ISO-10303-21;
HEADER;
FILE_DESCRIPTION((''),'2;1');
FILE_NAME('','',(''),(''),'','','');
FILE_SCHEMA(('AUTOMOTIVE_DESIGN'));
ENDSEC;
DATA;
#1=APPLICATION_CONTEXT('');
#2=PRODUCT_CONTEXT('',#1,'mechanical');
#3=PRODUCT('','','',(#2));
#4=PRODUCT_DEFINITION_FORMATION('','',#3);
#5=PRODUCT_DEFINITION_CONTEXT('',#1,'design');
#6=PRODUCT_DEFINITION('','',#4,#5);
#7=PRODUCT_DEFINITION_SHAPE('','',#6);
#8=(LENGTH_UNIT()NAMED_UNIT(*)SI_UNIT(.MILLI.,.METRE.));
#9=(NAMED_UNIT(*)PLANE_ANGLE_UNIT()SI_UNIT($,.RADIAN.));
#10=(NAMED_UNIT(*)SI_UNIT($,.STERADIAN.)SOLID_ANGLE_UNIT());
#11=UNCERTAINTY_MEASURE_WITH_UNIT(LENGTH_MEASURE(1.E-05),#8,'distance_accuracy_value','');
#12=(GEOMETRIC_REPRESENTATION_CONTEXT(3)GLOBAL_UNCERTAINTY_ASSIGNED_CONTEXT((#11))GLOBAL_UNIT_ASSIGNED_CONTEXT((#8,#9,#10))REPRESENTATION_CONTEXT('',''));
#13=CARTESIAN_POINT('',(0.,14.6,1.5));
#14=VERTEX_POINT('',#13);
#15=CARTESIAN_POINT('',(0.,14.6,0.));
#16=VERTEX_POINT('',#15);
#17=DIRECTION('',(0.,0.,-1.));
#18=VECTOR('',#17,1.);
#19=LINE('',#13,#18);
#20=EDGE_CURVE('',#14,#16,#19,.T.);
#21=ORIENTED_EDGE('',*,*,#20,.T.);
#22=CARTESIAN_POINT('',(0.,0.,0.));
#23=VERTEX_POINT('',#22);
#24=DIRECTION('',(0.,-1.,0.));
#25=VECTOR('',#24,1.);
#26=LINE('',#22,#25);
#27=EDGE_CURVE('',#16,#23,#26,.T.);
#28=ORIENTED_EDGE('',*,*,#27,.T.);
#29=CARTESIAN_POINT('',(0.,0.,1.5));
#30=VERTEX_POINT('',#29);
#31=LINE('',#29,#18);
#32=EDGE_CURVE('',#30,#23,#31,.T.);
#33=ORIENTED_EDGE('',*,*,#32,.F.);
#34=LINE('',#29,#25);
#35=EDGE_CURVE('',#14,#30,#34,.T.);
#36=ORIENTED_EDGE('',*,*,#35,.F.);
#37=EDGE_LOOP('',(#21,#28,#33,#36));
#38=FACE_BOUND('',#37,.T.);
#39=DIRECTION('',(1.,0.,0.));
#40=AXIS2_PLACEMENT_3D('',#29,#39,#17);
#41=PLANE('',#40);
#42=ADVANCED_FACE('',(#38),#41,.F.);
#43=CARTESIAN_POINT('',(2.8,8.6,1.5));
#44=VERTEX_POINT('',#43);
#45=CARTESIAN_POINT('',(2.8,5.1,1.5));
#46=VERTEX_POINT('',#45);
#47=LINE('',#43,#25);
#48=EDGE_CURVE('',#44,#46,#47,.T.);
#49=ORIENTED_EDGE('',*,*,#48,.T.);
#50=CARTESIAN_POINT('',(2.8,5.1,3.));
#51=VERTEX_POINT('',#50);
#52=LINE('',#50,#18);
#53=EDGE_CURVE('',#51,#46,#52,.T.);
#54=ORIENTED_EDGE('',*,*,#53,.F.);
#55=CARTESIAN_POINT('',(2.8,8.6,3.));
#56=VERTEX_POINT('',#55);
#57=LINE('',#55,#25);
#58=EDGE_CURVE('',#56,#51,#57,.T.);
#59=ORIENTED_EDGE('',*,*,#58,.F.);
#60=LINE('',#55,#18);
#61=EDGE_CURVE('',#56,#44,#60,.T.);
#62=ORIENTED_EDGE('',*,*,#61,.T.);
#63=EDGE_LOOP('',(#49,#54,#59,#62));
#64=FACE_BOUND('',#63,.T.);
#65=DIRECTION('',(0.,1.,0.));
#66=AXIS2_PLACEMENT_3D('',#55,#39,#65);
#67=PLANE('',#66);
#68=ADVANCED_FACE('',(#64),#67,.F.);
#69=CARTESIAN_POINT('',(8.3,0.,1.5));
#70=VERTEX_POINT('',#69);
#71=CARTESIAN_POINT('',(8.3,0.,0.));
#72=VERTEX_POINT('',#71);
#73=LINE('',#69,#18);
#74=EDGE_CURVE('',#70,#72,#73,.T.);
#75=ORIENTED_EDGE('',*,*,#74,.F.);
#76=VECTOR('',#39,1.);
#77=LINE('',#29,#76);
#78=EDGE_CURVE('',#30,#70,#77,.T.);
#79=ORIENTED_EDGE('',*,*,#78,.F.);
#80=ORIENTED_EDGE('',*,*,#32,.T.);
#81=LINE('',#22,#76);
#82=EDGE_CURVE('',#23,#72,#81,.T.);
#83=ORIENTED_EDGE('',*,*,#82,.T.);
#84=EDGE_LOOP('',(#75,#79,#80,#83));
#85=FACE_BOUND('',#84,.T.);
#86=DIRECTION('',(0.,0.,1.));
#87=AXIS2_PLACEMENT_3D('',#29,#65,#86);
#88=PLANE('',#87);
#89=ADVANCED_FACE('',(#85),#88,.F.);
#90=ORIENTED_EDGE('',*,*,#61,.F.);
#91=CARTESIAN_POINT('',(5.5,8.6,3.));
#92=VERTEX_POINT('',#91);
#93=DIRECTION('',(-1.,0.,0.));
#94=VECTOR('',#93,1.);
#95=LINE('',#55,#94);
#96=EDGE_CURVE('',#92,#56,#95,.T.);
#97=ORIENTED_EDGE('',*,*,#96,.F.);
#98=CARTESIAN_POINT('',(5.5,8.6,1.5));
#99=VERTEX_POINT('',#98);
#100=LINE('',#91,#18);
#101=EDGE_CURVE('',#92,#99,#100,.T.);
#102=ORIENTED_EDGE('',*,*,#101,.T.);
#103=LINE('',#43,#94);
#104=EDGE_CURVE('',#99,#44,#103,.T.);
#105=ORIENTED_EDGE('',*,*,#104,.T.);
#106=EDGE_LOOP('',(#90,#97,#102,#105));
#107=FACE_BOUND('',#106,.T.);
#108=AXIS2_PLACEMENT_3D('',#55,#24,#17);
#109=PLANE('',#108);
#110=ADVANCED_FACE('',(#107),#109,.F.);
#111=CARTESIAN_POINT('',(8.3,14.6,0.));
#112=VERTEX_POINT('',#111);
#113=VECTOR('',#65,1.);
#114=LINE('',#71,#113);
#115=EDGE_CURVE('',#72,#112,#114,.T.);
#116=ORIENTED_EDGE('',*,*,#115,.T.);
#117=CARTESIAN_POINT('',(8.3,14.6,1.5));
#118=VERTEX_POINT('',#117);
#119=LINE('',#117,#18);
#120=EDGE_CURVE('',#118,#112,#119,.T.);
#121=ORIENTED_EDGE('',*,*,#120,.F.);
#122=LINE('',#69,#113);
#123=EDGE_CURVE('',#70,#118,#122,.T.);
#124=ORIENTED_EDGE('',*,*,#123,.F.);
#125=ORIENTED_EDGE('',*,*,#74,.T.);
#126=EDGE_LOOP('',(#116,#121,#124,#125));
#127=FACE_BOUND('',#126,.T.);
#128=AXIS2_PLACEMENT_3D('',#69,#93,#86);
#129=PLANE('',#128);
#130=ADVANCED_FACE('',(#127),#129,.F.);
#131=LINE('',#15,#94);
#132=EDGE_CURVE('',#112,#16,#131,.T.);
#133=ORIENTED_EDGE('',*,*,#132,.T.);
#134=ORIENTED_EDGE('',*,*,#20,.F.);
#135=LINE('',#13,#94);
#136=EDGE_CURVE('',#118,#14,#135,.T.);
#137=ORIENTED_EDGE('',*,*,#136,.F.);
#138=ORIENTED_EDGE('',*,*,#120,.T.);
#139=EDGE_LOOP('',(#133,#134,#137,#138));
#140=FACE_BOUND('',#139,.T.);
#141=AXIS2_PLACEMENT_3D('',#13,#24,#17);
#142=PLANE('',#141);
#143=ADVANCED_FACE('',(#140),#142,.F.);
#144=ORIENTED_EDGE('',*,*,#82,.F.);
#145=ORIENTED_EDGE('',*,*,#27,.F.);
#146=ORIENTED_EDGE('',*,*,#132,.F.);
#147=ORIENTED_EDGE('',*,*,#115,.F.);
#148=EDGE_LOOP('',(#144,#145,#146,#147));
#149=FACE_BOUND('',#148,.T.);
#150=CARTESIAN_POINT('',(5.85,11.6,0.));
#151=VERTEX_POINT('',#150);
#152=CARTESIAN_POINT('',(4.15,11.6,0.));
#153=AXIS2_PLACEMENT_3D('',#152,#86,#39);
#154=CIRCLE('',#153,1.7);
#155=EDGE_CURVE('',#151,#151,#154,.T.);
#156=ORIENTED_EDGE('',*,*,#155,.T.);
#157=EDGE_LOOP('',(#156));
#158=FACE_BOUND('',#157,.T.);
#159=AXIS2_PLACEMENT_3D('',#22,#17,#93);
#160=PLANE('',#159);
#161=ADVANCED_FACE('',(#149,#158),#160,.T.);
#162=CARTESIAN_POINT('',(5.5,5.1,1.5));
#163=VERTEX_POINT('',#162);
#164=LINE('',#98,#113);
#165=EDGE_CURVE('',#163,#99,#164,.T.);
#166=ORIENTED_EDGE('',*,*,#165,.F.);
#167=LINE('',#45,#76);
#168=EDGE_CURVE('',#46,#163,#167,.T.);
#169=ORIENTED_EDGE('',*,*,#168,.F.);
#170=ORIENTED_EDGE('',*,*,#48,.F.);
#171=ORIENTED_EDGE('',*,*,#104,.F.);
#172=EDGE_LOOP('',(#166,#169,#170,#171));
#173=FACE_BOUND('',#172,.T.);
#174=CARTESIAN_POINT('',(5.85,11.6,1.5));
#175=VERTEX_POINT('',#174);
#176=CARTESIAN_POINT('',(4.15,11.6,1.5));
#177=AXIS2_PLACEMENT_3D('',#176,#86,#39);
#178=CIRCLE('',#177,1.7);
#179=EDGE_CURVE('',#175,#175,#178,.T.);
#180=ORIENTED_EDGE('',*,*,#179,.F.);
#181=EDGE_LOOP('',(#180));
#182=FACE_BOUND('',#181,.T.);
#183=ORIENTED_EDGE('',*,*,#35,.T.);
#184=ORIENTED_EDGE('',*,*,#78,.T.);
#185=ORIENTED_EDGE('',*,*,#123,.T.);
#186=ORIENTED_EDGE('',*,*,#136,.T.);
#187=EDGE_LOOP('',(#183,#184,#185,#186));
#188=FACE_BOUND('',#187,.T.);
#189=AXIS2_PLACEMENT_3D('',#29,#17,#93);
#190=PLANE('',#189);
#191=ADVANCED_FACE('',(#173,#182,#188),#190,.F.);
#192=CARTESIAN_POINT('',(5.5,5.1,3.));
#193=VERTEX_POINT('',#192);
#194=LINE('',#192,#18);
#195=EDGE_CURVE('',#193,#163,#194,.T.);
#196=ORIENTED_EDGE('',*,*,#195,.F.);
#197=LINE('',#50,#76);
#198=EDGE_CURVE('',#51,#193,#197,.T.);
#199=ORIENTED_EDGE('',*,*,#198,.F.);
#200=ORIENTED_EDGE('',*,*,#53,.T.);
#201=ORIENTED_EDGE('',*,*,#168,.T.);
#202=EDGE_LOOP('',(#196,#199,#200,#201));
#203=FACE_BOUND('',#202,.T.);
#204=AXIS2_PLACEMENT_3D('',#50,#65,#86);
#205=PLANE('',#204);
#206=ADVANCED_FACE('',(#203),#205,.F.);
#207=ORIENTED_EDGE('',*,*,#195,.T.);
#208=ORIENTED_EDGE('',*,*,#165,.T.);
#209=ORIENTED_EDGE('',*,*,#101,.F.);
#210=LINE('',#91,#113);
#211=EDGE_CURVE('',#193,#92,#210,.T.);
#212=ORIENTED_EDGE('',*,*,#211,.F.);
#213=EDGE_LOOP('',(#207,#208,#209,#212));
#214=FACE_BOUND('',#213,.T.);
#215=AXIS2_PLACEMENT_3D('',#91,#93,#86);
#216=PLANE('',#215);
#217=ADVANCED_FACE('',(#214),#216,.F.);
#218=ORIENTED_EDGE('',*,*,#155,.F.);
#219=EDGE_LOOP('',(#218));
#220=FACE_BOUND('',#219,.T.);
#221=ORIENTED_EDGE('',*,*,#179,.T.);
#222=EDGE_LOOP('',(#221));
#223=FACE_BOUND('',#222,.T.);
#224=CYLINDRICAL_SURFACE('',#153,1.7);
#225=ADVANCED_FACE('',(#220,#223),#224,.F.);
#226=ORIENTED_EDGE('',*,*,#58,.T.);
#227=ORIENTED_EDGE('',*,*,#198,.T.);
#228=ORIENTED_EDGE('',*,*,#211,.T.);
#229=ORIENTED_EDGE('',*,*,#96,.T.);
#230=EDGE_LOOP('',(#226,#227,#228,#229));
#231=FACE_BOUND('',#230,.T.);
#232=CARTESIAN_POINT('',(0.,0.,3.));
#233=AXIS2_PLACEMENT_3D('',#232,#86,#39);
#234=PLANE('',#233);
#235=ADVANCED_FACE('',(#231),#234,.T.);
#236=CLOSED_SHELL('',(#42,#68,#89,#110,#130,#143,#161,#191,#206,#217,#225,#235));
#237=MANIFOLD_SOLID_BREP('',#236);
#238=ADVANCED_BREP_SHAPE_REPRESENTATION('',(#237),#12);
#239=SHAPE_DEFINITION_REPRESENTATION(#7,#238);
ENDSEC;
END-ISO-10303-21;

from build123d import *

# Parameters (mm, degrees)
SKETCH1_W           = 8.3
SKETCH1_H           = 14.6
BOSS_EXTRUDE1_DEPTH = 1.5
SKETCH2_R           = 1.7
CUT_EXTRUDE1_DEPTH  = 1.5
SKETCH3_W           = 2.7
SKETCH3_H           = 3.5
BOSS_EXTRUDE3_DEPTH = 1.5


with BuildPart() as part:
    # Sketch1 → Boss-Extrude1 (new body)
    with BuildSketch(Plane.XY):
        with Locations((4.15, 7.3)):
            Rectangle(SKETCH1_W, SKETCH1_H)
    extrude(amount=BOSS_EXTRUDE1_DEPTH)

    # Sketch2 → Cut-Extrude1 (cut)
    with BuildSketch(Plane.XY.offset(1.5)):
        with Locations((4.15, 11.6)):
            Circle(SKETCH2_R)
    extrude(amount=-CUT_EXTRUDE1_DEPTH, mode=Mode.SUBTRACT)

    # Sketch3 → Boss-Extrude3 (add)
    with BuildSketch(Plane.XY.offset(1.5)):
        with Locations((4.15, 6.85)):
            Rectangle(SKETCH3_W, SKETCH3_H)
    extrude(amount=BOSS_EXTRUDE3_DEPTH)


solid = part.part
